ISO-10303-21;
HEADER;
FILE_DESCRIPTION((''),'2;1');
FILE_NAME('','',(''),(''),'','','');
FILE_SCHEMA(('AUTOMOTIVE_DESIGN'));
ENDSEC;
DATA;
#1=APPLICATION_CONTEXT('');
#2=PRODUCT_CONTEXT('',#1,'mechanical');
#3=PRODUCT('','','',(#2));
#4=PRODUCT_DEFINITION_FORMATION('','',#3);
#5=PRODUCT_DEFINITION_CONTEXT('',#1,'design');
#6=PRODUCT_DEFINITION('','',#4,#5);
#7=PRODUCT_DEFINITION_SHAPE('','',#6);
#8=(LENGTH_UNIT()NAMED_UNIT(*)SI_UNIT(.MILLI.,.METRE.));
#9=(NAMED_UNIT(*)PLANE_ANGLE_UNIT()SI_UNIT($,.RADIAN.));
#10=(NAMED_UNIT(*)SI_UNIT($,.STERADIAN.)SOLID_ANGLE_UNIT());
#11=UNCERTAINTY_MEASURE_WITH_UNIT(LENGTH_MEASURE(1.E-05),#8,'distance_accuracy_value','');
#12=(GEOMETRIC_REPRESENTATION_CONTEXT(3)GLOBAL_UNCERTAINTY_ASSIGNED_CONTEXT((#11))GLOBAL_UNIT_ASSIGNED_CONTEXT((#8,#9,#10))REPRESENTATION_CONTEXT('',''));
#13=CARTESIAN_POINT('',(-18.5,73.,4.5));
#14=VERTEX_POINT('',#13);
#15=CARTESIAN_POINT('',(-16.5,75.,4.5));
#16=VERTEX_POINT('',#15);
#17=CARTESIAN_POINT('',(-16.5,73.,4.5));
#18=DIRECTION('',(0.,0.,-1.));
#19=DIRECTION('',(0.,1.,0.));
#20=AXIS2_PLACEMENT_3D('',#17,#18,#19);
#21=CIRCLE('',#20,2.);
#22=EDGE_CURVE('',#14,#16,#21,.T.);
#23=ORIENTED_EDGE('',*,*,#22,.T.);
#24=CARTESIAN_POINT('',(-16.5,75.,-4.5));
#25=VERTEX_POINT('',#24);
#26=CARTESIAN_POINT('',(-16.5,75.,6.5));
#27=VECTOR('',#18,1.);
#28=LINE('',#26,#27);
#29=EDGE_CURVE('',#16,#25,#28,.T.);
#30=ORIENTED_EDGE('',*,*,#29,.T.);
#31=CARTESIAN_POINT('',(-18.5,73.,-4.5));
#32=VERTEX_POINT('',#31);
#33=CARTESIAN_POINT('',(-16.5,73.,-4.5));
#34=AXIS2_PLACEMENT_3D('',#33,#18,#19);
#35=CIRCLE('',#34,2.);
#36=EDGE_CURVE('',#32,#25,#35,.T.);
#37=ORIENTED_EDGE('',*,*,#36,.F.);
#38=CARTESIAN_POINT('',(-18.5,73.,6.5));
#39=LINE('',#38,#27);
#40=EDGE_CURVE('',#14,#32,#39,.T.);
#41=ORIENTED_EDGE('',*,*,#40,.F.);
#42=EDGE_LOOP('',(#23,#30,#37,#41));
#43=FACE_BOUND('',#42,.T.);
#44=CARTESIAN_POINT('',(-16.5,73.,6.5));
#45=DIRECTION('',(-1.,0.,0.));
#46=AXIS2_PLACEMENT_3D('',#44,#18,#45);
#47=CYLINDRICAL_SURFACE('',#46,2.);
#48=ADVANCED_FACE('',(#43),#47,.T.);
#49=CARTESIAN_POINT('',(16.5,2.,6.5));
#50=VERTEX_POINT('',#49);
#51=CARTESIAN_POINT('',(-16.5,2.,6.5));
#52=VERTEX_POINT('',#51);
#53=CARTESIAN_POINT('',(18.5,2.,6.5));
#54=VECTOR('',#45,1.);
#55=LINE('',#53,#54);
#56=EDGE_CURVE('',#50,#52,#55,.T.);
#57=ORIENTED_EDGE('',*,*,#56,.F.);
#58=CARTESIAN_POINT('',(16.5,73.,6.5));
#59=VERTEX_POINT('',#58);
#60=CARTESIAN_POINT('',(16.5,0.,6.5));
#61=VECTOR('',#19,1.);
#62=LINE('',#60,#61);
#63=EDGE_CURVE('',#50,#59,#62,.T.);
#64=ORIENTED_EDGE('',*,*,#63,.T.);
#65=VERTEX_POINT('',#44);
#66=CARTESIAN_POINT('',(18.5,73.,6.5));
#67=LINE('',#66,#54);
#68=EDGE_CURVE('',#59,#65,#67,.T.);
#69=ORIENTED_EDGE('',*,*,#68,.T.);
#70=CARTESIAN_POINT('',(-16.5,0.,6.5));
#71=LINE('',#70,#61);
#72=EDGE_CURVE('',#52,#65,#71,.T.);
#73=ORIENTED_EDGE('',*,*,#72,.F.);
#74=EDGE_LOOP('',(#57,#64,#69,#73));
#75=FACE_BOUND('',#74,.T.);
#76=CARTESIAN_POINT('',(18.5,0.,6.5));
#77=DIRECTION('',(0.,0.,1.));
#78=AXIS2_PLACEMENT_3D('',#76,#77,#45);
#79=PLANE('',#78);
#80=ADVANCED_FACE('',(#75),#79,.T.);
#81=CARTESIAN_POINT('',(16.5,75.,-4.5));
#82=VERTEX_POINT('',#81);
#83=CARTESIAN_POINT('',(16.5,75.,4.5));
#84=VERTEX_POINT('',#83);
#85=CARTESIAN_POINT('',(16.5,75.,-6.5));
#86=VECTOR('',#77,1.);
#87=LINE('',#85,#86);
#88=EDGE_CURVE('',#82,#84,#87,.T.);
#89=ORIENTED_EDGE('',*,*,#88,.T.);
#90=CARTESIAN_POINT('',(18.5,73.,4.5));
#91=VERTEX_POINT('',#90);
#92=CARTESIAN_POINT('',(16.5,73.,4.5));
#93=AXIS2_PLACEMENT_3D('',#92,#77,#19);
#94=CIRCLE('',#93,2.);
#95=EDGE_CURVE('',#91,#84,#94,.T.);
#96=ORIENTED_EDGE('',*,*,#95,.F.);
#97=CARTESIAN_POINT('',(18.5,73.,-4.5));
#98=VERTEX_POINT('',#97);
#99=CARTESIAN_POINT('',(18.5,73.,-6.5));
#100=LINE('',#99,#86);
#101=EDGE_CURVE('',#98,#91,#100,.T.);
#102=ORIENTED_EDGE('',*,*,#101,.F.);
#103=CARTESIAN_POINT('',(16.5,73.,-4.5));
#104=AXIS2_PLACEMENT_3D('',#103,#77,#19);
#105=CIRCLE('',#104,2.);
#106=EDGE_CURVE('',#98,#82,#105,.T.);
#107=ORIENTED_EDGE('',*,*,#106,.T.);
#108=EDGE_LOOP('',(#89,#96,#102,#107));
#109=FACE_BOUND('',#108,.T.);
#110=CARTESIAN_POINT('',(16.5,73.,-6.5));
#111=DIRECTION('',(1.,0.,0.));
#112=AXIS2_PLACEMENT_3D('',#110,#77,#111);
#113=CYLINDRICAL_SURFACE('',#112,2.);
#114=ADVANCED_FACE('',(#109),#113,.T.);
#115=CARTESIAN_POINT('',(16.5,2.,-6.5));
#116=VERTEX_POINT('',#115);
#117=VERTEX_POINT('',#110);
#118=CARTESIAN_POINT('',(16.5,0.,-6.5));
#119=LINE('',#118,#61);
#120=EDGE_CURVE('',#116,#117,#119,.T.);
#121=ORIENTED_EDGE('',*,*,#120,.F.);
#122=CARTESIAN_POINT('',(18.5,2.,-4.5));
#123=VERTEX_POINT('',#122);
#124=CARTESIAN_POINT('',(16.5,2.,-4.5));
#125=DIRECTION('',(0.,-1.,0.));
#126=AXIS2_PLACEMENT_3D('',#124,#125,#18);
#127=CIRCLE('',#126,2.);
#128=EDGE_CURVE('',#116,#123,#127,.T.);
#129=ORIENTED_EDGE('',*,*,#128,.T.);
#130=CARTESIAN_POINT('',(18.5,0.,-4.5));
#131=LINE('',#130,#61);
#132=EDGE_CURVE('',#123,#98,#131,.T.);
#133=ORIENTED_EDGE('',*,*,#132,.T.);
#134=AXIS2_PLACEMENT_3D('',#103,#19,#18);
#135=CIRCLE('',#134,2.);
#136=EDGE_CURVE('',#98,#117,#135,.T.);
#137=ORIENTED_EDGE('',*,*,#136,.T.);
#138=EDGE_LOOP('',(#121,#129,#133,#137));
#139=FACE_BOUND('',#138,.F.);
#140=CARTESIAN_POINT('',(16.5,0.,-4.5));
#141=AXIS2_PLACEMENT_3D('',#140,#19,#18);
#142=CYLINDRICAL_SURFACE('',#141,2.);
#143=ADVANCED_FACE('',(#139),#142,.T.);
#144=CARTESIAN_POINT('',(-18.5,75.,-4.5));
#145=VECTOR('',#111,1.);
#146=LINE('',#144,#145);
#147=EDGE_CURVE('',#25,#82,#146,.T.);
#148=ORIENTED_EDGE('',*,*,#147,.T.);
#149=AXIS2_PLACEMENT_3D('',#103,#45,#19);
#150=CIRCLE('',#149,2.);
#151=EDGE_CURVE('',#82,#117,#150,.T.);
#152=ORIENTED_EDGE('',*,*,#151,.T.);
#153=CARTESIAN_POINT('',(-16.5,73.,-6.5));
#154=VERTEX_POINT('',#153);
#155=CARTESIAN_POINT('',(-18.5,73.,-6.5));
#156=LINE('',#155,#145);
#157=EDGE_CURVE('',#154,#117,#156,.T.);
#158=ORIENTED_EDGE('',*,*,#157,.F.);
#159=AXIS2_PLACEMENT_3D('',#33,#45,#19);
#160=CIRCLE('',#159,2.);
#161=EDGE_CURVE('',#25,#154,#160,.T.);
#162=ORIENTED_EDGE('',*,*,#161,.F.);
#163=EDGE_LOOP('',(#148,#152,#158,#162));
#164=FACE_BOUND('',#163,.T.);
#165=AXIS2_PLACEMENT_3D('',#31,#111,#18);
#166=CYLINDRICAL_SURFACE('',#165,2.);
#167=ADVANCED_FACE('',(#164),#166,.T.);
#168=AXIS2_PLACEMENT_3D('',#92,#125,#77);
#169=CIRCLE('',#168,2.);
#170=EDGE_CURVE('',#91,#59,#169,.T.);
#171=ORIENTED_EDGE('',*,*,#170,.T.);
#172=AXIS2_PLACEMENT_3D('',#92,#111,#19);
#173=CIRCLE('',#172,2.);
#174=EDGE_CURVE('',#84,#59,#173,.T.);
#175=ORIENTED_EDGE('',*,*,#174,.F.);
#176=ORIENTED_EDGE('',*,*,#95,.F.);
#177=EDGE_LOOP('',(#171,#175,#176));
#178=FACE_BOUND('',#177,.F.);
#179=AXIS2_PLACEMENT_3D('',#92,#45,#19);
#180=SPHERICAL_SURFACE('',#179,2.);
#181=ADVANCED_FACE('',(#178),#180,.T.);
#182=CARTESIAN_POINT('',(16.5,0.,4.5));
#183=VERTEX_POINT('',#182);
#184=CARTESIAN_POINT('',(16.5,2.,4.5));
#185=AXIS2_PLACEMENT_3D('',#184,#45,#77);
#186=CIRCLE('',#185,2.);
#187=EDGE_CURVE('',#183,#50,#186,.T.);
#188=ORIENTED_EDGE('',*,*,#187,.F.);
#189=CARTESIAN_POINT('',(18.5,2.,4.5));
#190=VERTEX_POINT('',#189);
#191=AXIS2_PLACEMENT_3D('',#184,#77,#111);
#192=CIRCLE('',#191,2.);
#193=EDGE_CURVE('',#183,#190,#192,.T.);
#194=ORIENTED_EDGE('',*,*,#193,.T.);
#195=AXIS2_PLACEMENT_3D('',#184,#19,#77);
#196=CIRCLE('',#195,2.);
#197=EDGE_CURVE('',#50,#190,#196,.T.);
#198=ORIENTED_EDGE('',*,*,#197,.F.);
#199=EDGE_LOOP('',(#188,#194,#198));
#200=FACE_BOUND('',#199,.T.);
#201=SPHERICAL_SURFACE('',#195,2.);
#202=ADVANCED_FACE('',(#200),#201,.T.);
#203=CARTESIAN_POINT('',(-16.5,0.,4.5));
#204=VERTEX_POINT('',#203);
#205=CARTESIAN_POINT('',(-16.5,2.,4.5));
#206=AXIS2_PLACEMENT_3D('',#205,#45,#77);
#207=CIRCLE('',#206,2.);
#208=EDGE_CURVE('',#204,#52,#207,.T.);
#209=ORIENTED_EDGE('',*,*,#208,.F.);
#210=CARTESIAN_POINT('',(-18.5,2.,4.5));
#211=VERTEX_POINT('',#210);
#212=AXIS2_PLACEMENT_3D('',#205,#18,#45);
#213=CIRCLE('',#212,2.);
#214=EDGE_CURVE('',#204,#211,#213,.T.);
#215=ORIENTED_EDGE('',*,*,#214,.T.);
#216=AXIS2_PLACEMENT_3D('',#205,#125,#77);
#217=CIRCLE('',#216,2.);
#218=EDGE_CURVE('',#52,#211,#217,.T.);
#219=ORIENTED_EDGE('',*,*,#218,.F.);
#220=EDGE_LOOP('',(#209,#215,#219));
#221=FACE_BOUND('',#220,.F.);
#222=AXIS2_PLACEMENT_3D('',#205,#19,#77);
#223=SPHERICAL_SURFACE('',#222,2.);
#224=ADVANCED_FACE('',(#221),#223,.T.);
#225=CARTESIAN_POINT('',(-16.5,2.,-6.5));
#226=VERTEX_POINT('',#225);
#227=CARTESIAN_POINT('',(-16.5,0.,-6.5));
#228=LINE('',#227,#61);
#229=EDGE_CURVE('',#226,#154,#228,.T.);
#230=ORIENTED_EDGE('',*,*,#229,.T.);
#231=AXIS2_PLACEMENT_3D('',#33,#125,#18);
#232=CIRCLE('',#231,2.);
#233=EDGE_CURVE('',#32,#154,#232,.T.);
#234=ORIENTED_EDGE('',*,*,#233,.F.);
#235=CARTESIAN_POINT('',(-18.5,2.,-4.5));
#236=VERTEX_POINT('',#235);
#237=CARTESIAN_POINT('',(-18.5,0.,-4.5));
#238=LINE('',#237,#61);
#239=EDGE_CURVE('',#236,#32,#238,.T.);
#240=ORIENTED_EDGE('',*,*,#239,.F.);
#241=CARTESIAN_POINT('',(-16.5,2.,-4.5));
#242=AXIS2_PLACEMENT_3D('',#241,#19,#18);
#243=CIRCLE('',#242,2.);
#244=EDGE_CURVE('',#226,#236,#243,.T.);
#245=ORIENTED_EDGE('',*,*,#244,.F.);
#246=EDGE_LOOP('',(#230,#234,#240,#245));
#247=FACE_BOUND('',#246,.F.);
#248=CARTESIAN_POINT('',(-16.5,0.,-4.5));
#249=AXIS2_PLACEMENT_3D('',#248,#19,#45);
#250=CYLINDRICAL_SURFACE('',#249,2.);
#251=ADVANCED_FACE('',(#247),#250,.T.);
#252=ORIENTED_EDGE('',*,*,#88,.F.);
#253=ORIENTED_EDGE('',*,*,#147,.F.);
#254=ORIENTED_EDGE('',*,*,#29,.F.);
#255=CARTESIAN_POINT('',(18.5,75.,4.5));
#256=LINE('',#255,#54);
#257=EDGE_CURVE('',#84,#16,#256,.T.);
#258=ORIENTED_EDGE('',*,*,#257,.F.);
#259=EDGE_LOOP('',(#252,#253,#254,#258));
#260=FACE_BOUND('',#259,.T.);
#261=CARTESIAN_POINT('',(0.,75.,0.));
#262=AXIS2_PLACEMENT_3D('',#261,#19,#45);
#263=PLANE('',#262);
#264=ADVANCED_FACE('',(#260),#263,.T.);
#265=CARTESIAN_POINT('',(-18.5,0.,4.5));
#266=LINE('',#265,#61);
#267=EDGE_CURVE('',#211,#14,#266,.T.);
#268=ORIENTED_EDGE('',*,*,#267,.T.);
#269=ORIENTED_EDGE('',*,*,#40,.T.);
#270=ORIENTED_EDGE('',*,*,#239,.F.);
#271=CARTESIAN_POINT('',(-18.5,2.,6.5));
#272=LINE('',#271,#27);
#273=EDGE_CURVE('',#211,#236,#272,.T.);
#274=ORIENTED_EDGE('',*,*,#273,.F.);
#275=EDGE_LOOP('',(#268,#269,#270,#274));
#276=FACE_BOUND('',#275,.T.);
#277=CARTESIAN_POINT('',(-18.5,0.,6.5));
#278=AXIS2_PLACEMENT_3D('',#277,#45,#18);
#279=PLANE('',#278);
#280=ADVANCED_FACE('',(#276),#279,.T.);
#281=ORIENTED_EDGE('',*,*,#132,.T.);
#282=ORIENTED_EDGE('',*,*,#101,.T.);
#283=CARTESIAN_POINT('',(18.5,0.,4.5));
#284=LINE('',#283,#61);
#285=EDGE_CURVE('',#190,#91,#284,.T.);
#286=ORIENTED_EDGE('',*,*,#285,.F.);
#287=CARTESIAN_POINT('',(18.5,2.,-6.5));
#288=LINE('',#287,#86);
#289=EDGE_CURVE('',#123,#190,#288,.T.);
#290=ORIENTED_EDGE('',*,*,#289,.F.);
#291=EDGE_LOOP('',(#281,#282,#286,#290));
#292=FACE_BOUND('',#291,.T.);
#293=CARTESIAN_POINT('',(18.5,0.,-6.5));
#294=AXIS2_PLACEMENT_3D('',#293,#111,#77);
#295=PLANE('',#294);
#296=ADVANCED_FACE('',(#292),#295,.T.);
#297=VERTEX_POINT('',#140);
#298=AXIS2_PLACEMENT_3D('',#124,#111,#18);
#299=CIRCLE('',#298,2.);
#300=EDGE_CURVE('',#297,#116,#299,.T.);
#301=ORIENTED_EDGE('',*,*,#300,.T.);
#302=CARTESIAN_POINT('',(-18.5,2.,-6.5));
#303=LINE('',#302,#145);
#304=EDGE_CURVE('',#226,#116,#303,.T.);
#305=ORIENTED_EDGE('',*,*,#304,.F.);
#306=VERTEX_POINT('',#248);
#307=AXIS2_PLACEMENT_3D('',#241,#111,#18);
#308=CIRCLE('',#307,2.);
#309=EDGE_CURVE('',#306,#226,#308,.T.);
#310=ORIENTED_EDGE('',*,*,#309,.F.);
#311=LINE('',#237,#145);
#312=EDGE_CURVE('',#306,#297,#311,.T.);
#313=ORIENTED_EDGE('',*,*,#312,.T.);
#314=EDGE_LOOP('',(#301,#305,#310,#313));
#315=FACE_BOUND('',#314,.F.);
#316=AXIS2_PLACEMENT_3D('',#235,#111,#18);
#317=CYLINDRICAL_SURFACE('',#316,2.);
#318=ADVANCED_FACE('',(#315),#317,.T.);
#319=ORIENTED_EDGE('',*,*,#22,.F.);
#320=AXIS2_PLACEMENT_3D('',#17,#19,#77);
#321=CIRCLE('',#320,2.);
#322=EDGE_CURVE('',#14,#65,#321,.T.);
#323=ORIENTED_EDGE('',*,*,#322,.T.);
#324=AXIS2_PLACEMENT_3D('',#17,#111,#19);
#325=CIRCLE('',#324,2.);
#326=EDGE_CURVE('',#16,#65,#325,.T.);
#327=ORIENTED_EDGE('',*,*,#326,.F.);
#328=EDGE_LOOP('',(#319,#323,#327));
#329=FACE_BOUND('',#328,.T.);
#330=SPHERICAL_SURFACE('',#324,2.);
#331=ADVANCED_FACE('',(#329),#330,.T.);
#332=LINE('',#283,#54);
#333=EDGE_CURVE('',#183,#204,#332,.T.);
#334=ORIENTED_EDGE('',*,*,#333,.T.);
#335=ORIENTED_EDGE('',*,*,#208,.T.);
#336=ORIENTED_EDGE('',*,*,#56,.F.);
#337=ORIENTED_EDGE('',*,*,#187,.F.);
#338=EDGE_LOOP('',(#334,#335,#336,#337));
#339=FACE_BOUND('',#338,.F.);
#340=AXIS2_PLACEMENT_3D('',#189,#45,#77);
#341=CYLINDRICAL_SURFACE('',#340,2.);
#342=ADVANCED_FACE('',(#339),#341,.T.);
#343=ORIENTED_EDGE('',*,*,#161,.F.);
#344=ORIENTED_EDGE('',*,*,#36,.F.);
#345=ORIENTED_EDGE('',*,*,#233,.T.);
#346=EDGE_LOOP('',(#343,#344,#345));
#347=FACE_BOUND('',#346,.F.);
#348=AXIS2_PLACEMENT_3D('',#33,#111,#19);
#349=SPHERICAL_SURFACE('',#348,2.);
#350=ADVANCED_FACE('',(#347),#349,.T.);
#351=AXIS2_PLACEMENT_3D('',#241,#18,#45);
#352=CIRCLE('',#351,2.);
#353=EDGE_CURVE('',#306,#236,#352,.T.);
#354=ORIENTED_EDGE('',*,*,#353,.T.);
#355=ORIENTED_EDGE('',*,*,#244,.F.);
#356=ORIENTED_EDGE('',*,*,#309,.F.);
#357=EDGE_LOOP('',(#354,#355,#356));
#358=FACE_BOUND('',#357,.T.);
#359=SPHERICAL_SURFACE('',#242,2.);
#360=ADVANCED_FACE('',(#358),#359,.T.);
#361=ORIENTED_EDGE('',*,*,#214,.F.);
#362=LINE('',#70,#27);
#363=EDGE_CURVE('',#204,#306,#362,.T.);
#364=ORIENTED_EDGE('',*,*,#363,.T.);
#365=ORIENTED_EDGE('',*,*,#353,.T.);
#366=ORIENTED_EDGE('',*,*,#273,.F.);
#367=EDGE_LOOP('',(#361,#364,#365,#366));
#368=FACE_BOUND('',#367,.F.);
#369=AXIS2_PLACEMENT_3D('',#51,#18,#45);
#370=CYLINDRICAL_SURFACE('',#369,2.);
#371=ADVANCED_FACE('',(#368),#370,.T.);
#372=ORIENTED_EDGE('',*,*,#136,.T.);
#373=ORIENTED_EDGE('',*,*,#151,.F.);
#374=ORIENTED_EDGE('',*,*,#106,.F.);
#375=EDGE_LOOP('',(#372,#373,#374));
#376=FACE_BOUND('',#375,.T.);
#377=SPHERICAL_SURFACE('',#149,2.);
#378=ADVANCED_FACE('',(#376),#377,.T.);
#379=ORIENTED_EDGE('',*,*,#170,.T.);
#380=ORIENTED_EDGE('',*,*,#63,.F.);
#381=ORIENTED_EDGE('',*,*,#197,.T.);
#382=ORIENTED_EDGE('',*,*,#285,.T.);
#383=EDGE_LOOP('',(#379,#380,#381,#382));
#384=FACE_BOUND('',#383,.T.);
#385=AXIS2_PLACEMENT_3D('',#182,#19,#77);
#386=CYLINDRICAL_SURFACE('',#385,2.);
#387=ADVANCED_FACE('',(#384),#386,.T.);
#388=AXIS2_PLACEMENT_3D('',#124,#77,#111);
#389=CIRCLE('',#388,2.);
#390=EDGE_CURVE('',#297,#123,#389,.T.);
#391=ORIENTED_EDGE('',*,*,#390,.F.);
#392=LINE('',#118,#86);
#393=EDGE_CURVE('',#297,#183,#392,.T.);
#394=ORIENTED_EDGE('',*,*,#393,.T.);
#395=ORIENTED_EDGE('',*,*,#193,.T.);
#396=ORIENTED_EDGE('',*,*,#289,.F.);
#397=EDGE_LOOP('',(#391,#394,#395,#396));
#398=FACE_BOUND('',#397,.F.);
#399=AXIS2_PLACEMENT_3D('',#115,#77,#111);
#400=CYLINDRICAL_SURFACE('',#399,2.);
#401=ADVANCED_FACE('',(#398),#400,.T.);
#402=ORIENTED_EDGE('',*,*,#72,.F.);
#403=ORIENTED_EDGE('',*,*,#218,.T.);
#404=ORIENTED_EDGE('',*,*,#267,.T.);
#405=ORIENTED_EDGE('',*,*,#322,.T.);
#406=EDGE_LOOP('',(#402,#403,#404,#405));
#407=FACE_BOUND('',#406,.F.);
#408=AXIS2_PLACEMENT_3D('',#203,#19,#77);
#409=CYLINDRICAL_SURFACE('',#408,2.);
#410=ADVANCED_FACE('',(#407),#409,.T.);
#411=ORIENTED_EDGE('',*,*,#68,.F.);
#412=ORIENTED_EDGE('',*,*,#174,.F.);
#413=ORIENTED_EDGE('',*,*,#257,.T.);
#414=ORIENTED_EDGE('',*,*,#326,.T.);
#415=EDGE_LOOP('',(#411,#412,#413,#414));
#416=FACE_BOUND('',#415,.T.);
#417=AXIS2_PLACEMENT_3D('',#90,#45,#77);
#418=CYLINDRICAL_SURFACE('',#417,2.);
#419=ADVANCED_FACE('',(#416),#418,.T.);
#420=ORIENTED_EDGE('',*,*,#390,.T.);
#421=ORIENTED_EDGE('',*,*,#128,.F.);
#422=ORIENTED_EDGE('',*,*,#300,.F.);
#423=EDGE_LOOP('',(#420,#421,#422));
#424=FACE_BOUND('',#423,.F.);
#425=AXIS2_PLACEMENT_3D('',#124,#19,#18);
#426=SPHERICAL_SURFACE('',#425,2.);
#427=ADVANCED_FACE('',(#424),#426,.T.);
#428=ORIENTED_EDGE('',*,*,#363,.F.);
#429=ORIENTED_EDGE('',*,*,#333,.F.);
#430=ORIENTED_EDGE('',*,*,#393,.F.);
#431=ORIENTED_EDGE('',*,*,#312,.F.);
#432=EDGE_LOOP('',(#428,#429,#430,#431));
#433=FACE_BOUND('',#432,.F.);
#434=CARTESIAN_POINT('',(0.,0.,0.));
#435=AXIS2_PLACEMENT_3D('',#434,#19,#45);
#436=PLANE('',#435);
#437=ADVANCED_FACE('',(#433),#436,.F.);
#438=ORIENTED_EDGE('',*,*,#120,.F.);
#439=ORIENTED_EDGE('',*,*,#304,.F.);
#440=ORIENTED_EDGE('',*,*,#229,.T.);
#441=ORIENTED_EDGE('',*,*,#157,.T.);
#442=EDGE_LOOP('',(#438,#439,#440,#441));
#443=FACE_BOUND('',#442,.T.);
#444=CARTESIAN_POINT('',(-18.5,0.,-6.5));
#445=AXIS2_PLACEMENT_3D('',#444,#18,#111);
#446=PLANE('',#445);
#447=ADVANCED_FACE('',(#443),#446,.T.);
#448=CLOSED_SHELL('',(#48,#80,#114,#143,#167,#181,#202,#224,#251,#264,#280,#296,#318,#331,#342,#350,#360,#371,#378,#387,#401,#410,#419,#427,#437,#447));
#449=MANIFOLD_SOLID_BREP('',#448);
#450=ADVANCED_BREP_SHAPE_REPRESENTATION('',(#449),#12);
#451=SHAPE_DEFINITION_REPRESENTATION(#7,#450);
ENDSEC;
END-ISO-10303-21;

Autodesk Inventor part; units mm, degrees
ref_plane "YZ Plane" through (0, 0, 0) normal (1, 0, 0) x (0, 1, 0)
ref_plane "XZ Plane" through (0, 0, 0) normal (0, 1, 0) x (-1, 0, 0)
ref_plane "XY Plane" through (0, 0, 0) normal (0, 0, 1) x (1, 0, 0)
sketch "Sketch1" plane through (0, 0, 0) normal (0, 1, 0) x (-1, 0, 0)
  line L0 (-18.5, 6.5) -> (18.5, 6.5)
  line L1 (18.5, 6.5) -> (18.5, -6.5)
  line L2 (18.5, -6.5) -> (-18.5, -6.5)
  line L3 (-18.5, -6.5) -> (-18.5, 6.5)
  line L4 (-18.5, 6.5) -> (18.5, -6.5) construction
  line L5 (18.5, 6.5) -> (-18.5, -6.5) construction
  point P0 (0, 0)
  dimension "d0" = 37
  dimension "d1" = 13
extrude "Extrusion1" add sketch "Sketch1" along normal blind 75
fillet "Fillet1" radius 2 12 edges at (0, 75, 6.5) (0, 75, -6.5) (18.5, 75, 0) (-18.5, 75, 0) (-18.5, 37.5, 6.5) (18.5, 37.5, 6.5) (18.5, 37.5, -6.5) (-18.5, 37.5, -6.5) (0, 0, 6.5) (0, 0, -6.5) (-18.5, 0, 0) (18.5, 0, 0)
properties part number "kleineBatterij"
